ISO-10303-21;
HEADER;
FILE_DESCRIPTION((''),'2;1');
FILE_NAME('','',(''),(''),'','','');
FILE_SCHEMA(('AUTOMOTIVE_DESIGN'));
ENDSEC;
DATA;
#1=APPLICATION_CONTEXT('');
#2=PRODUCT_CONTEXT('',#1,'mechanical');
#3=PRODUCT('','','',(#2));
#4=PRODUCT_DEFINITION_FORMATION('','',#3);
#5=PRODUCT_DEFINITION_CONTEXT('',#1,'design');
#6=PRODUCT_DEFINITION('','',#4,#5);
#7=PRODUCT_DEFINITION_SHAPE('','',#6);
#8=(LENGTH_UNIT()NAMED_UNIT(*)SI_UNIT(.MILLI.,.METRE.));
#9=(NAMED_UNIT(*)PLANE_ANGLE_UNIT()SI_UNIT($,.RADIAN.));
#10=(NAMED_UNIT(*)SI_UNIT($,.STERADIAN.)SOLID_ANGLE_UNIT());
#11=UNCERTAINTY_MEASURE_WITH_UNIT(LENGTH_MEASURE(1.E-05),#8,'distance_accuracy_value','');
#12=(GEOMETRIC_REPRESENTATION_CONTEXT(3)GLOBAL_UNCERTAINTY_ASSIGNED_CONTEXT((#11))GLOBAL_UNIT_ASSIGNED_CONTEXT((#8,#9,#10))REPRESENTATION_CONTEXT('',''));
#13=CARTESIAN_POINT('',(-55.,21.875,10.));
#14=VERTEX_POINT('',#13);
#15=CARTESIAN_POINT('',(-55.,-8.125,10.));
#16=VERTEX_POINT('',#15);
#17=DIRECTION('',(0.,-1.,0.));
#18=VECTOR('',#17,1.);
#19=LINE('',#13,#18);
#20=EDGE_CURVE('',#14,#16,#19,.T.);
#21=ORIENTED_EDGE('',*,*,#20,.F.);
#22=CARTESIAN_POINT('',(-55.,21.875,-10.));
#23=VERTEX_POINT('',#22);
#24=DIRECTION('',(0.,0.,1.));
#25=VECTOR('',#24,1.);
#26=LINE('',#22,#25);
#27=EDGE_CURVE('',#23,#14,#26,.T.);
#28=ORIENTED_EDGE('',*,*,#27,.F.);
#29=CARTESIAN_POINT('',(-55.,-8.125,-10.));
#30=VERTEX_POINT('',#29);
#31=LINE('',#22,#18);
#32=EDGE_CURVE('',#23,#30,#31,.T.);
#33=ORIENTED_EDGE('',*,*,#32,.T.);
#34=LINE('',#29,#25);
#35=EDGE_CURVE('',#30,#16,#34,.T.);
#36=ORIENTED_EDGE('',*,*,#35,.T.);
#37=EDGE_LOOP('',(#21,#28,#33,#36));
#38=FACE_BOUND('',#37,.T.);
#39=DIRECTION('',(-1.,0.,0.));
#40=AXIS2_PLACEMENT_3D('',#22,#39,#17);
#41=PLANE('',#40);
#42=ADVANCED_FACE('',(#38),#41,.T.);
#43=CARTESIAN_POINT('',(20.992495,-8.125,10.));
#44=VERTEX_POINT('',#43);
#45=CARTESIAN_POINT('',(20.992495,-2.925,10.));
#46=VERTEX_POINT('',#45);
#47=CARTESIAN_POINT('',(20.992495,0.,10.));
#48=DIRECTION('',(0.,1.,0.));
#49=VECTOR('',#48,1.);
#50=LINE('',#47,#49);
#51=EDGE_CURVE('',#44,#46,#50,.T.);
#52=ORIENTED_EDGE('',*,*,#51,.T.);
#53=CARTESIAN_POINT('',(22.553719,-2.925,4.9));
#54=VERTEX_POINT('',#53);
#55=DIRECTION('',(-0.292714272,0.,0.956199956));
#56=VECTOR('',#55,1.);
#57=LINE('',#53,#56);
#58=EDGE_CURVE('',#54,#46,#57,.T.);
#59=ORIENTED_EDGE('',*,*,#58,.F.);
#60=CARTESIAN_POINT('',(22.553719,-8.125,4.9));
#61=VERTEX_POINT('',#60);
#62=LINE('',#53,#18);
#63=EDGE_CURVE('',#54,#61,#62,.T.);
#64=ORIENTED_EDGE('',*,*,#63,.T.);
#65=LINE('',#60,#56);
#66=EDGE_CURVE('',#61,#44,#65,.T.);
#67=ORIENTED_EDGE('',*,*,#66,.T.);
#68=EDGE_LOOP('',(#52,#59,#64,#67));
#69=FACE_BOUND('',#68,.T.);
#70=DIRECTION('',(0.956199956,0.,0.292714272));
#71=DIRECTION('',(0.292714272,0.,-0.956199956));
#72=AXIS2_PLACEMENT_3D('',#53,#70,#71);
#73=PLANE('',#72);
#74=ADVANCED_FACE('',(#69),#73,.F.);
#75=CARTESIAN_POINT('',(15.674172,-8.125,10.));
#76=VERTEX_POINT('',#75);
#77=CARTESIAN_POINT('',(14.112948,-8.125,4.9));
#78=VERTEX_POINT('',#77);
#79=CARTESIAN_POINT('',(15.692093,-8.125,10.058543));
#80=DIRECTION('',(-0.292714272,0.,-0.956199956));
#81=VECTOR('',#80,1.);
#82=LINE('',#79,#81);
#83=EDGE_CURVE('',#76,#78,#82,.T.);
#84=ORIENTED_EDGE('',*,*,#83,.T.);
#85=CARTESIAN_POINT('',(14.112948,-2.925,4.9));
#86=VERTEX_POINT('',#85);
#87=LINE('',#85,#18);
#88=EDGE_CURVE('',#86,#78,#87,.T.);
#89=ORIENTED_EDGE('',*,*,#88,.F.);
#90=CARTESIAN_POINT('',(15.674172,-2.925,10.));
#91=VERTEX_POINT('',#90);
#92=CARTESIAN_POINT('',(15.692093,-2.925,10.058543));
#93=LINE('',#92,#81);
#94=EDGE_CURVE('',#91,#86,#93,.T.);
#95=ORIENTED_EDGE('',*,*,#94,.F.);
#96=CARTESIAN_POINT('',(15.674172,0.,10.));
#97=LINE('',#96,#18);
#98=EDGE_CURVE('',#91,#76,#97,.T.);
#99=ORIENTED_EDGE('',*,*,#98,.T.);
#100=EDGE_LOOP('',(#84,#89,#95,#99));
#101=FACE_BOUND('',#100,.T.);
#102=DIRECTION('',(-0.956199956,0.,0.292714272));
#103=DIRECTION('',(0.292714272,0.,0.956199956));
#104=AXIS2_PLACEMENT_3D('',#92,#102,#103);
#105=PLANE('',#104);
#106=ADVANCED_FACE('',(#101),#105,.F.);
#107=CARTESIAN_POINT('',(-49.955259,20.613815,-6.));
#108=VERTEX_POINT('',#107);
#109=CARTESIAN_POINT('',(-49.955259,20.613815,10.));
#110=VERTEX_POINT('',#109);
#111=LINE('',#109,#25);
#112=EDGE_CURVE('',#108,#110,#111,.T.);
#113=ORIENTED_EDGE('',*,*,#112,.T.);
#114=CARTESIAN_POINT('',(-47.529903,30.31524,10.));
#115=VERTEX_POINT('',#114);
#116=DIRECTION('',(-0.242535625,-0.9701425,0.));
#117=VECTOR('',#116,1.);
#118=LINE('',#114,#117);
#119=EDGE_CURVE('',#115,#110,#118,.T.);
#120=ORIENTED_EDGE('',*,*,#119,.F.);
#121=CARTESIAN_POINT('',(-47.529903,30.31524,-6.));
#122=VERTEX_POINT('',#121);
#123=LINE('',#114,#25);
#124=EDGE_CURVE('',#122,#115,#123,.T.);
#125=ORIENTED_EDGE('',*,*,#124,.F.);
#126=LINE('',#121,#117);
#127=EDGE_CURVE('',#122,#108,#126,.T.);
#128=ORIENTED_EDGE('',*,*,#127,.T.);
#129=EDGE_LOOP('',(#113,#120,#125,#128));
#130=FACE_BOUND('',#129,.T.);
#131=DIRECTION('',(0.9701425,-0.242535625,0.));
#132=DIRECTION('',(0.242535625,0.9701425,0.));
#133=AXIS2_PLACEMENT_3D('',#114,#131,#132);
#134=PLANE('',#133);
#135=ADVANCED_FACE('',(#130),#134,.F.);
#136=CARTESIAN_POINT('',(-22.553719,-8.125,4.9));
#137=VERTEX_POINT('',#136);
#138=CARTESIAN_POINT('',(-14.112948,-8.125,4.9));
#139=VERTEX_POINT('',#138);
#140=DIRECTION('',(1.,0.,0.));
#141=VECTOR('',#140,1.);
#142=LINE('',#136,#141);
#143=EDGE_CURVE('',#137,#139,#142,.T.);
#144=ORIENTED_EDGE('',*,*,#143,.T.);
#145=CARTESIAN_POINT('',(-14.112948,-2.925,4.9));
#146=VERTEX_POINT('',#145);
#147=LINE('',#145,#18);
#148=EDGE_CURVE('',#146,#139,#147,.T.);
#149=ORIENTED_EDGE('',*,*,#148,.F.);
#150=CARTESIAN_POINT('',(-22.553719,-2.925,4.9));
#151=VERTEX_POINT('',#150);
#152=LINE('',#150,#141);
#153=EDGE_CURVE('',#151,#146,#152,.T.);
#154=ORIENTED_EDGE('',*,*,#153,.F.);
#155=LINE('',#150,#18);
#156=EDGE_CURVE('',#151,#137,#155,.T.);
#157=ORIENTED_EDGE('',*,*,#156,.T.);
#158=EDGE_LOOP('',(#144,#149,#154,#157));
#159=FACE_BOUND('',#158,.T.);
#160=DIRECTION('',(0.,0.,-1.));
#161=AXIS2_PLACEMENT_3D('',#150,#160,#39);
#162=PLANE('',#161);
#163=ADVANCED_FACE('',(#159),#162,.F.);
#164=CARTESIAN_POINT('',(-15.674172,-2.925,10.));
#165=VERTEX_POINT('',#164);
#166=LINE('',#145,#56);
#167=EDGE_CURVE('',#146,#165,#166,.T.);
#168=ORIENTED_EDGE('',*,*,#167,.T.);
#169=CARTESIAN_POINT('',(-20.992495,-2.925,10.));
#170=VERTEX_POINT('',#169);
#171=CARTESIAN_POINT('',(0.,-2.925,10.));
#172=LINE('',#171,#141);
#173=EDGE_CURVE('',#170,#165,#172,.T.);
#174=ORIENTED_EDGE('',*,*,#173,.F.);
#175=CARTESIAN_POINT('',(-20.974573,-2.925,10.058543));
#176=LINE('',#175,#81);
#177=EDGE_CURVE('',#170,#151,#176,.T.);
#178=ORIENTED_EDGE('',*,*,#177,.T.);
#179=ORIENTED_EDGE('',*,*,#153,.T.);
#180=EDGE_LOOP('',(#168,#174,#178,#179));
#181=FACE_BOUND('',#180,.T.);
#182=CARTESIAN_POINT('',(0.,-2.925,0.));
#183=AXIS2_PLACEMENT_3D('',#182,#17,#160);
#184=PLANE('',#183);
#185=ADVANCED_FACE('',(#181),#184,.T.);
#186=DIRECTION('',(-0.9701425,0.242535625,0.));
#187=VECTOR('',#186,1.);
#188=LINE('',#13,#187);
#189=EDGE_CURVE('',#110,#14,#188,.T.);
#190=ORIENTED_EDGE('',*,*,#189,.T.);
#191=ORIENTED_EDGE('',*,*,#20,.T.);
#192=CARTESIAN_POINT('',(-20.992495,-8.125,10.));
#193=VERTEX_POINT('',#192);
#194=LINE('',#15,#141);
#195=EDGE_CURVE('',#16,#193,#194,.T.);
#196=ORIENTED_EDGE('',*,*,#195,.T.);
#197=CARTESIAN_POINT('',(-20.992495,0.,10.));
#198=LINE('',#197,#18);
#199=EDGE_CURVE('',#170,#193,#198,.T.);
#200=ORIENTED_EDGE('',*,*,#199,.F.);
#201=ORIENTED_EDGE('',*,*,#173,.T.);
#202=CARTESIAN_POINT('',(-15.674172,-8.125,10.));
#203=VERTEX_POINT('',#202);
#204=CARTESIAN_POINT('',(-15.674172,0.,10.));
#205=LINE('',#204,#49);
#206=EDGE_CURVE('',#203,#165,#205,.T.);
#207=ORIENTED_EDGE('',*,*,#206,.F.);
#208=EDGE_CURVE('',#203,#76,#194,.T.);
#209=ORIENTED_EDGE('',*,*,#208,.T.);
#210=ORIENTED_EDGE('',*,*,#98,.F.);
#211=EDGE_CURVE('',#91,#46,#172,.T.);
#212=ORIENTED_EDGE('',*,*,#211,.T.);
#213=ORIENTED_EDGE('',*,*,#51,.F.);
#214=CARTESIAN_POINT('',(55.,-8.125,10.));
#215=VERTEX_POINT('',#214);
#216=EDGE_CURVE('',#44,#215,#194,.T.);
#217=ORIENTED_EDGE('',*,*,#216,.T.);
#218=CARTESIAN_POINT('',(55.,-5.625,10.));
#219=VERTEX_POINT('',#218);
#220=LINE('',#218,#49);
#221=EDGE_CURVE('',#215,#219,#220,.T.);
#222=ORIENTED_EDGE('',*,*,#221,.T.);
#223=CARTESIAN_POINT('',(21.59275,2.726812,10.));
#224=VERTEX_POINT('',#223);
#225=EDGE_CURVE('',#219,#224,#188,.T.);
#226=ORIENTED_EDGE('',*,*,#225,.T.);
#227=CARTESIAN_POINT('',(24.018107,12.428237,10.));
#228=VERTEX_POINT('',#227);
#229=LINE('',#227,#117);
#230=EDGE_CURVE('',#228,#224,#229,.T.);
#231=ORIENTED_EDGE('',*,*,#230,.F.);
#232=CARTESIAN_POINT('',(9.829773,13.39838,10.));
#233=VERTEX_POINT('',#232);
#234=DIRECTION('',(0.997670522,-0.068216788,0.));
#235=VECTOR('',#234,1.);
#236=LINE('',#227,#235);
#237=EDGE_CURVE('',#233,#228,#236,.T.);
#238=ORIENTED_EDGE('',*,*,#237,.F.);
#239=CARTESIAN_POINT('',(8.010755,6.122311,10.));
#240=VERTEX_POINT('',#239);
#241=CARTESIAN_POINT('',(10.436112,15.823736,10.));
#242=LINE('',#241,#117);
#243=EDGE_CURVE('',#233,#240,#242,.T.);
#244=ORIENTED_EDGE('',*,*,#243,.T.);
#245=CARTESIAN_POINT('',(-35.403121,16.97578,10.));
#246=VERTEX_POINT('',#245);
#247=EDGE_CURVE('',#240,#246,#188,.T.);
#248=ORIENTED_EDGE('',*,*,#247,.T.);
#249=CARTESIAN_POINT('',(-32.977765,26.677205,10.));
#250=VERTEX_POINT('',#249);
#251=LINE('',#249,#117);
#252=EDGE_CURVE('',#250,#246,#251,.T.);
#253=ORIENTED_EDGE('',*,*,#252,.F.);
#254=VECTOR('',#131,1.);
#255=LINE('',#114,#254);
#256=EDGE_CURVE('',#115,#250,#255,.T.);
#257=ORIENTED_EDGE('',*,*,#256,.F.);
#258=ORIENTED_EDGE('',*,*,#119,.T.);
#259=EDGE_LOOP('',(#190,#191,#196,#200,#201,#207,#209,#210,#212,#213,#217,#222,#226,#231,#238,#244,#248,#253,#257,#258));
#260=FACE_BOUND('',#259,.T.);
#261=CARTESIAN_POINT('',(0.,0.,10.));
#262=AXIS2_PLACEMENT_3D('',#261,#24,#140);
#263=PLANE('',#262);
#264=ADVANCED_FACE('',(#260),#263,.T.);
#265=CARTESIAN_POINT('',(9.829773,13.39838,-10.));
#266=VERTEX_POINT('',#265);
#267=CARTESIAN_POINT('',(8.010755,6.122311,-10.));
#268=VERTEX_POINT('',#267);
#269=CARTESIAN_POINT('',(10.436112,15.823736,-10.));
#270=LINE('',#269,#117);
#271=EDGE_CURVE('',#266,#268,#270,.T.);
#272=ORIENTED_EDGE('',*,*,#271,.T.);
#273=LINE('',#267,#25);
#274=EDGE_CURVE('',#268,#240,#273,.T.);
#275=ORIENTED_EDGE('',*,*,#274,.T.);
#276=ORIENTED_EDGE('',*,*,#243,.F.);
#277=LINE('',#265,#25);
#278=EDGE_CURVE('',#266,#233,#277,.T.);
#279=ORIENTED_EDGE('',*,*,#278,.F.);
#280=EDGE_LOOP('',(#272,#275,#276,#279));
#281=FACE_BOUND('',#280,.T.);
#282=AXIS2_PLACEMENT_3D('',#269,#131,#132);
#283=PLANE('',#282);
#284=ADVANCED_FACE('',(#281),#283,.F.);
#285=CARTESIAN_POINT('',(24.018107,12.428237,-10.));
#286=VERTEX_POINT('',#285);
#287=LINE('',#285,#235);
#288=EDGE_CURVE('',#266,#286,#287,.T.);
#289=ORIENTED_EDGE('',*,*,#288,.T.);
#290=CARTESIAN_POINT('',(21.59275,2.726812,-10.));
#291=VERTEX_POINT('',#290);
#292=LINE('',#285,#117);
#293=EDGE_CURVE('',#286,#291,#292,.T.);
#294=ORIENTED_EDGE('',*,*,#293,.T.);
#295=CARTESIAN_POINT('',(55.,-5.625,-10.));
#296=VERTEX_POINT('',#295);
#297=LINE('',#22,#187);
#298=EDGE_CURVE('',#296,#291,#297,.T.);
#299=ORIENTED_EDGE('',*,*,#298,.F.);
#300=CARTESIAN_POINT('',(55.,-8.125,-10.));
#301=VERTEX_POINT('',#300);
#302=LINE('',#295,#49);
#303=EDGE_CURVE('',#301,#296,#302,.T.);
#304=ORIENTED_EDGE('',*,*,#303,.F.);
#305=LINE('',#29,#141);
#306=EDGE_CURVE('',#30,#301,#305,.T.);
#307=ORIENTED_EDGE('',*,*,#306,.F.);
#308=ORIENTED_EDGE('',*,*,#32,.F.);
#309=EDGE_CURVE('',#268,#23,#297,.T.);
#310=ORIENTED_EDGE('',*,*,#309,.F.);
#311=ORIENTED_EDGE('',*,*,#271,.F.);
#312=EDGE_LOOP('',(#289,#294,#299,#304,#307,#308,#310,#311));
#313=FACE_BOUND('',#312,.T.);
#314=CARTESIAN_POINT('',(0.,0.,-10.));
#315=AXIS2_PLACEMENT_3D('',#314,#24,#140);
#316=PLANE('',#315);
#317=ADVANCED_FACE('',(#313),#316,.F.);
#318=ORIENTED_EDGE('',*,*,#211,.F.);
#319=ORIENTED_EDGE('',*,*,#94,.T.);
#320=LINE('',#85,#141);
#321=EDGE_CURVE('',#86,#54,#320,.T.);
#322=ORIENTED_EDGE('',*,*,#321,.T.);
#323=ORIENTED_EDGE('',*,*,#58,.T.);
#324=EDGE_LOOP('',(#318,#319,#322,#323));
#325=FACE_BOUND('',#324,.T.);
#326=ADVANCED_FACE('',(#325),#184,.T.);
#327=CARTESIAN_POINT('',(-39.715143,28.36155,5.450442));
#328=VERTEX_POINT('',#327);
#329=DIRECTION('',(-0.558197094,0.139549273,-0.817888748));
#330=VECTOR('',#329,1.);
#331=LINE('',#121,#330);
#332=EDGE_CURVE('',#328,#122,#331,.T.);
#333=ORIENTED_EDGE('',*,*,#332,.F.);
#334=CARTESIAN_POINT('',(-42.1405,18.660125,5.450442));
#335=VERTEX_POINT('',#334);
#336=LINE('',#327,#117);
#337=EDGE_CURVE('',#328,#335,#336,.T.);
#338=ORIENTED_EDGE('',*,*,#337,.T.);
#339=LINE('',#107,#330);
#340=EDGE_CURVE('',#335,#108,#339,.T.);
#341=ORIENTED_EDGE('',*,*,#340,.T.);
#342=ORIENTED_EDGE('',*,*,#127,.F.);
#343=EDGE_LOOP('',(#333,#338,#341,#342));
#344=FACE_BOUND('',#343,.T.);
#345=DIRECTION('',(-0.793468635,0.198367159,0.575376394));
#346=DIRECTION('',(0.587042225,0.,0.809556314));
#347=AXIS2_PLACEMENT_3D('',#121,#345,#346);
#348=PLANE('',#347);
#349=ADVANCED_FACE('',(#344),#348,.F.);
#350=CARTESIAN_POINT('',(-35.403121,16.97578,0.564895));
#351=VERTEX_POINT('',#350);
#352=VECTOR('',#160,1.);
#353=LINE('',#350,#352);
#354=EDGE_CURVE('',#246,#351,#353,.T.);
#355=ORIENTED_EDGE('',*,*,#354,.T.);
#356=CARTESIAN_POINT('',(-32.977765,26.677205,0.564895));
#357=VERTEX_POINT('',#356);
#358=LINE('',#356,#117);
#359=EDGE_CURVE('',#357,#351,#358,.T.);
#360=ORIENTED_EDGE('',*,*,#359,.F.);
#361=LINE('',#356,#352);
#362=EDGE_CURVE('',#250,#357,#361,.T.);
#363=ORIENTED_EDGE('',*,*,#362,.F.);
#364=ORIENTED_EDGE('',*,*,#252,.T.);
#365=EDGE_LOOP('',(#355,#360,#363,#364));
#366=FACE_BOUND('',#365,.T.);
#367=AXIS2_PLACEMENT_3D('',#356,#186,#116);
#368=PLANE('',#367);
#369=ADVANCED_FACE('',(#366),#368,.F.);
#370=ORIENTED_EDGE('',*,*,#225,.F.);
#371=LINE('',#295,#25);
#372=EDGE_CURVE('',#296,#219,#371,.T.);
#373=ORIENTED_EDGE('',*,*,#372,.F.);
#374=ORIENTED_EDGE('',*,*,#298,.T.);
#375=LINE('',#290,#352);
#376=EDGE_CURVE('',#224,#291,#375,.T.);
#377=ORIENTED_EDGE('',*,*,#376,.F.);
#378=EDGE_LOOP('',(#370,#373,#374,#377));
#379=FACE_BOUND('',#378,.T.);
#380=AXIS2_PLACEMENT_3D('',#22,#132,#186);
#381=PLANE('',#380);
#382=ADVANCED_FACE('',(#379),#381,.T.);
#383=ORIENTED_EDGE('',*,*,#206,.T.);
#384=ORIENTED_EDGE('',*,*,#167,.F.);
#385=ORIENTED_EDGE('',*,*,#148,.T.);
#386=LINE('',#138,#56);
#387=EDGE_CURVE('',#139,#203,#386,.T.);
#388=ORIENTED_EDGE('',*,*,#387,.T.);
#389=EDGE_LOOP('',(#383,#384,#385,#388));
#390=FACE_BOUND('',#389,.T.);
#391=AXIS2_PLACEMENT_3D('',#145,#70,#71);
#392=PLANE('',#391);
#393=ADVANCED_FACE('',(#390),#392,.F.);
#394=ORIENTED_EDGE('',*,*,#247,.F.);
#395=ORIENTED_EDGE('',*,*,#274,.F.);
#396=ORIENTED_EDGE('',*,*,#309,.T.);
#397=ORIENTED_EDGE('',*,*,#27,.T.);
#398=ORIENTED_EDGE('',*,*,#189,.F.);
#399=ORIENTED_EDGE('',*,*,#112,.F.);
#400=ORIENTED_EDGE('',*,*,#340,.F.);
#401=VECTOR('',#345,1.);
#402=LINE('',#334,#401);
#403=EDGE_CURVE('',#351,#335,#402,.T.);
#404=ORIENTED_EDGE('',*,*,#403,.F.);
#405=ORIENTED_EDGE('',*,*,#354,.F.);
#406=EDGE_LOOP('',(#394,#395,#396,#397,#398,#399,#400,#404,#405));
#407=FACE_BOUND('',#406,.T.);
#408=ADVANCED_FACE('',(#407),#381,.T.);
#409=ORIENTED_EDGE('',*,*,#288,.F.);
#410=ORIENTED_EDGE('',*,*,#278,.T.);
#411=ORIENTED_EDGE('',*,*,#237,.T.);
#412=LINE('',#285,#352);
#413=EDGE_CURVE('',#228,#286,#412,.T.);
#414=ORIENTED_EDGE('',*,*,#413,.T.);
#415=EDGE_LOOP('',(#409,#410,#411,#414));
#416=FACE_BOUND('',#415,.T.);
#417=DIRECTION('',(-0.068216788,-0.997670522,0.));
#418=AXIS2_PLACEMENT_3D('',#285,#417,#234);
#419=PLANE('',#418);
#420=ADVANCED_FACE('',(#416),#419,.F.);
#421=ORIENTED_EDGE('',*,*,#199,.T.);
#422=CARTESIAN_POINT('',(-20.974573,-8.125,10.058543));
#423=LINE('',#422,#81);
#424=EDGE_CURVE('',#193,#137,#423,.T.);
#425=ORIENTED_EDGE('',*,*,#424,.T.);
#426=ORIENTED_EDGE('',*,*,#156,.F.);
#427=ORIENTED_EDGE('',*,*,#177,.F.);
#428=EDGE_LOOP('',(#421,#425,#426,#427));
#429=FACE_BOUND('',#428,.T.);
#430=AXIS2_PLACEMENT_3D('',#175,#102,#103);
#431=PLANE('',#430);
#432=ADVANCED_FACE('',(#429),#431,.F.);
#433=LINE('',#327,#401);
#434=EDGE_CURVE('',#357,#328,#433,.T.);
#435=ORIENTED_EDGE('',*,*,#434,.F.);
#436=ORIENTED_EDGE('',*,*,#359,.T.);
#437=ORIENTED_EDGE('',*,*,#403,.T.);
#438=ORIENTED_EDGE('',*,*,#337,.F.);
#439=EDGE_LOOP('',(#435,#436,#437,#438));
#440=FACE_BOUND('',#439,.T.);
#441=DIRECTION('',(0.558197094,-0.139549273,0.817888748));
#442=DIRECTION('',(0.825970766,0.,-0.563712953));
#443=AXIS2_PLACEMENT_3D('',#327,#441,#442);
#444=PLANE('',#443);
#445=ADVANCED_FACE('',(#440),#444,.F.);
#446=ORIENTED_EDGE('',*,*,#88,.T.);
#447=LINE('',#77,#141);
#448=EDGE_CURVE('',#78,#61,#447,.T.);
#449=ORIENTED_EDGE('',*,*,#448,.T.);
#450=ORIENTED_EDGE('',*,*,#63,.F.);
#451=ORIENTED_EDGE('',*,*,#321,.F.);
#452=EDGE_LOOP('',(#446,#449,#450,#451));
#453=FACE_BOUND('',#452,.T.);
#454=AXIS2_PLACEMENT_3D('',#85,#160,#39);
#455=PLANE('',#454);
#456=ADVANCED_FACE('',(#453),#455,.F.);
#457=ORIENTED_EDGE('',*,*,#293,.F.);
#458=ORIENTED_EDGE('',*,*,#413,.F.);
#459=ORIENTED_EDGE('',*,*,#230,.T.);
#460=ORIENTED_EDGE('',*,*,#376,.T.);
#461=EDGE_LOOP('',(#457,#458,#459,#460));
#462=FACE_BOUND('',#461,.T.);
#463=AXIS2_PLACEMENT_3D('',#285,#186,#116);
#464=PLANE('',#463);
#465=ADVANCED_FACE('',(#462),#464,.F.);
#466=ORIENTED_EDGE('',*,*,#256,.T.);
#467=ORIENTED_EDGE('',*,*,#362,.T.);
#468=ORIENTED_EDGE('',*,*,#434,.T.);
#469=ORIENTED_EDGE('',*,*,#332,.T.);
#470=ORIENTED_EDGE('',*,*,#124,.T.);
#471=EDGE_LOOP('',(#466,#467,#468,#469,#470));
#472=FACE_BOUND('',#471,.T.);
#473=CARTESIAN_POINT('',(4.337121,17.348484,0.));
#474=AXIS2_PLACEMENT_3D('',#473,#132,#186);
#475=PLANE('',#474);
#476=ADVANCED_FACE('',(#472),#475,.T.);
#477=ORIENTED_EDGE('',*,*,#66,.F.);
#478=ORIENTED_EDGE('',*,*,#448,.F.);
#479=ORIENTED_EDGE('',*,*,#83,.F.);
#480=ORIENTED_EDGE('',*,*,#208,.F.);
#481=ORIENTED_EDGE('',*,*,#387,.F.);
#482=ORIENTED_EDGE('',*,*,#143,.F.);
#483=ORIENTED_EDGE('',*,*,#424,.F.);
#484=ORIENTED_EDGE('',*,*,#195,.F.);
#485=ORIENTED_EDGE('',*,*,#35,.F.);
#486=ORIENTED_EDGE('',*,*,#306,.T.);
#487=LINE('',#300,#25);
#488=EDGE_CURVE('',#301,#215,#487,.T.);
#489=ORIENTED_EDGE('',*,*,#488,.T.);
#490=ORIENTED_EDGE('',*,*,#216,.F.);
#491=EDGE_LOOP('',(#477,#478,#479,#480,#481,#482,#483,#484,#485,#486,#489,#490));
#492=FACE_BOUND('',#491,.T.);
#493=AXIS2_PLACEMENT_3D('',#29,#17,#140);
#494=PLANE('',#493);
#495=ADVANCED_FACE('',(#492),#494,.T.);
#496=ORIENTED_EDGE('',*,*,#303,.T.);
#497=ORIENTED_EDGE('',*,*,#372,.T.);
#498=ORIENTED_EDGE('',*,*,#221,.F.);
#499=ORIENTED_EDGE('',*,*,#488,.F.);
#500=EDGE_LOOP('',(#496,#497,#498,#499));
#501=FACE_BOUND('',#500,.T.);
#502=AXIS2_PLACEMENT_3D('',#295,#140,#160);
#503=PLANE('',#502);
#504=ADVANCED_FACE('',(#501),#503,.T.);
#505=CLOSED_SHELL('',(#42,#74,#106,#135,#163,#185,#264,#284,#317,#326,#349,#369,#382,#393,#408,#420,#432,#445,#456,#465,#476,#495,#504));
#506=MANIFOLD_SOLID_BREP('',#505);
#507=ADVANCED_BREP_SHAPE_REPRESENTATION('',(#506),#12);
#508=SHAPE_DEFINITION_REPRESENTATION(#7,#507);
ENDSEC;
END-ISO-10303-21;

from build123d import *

# Parameters (mm, degrees)
BOSS_EXTRUDE1_DEPTH      = 10
BOSS_EXTRUDE1_DEPTH_BACK = 10
SKETCH2_W                = 14
SKETCH2_H                = 20
BOSS_EXTRUDE2_DEPTH      = 10
CUT_EXTRUDE1_DEPTH       = 5.2
CUT_EXTRUDE2_DEPTH       = 20


with BuildPart() as part:
    # Sketch1 → Boss-Extrude1 (new, two sides: drawn at the far end of the back side and taken through both)
    with BuildSketch(Plane.XY.offset(-BOSS_EXTRUDE1_DEPTH_BACK)):
        Polygon((-55, 21.875), (55, -5.625), (55, -8.125), (-55, -8.125), align=None)
    extrude(amount=BOSS_EXTRUDE1_DEPTH + BOSS_EXTRUDE1_DEPTH_BACK)

    # Sketch2 → Boss-Extrude2 (add)
    with BuildSketch(Plane(origin=(1.911764706, 7.647058824, 0), x_dir=(0.970142500145332, -0.24253562503633289, 0), z_dir=(0.24253562503633289, 0.970142500145332, 0))):
        Polygon((-53.463304306, -10), (-38.463304306, -10), (-38.463304306, -0.564895404), (-45.408034785, -5.450442479), (-53.463304306, 6), align=None)
        with Locations((13.286695694, 0)):
            Rectangle(SKETCH2_W, SKETCH2_H)
    extrude(amount=BOSS_EXTRUDE2_DEPTH)

    # Sketch3 → Cut-Extrude1 (cut)
    with BuildSketch(Plane.XZ.offset(8.125)):
        Polygon((15.692093342, 10.058542854), (14.11294757, 4.9), (22.553719096, 4.9), (20.974573324, 10.058542854), align=None)
        Polygon((-20.974573324, 10.058542854), (-22.553719096, 4.9), (-14.11294757, 4.9), (-15.692093342, 10.058542854), align=None)
    extrude(amount=-CUT_EXTRUDE1_DEPTH, mode=Mode.SUBTRACT)

    # Sketch4 → Cut-Extrude2 (cut)
    with BuildSketch(Plane.XY.offset(10)):
        Polygon((9.829772572, 13.398379905), (10.436111635, 15.823736155), (24.018106637, 12.428237405), align=None)
    extrude(amount=-CUT_EXTRUDE2_DEPTH, mode=Mode.SUBTRACT)


solid = part.part
